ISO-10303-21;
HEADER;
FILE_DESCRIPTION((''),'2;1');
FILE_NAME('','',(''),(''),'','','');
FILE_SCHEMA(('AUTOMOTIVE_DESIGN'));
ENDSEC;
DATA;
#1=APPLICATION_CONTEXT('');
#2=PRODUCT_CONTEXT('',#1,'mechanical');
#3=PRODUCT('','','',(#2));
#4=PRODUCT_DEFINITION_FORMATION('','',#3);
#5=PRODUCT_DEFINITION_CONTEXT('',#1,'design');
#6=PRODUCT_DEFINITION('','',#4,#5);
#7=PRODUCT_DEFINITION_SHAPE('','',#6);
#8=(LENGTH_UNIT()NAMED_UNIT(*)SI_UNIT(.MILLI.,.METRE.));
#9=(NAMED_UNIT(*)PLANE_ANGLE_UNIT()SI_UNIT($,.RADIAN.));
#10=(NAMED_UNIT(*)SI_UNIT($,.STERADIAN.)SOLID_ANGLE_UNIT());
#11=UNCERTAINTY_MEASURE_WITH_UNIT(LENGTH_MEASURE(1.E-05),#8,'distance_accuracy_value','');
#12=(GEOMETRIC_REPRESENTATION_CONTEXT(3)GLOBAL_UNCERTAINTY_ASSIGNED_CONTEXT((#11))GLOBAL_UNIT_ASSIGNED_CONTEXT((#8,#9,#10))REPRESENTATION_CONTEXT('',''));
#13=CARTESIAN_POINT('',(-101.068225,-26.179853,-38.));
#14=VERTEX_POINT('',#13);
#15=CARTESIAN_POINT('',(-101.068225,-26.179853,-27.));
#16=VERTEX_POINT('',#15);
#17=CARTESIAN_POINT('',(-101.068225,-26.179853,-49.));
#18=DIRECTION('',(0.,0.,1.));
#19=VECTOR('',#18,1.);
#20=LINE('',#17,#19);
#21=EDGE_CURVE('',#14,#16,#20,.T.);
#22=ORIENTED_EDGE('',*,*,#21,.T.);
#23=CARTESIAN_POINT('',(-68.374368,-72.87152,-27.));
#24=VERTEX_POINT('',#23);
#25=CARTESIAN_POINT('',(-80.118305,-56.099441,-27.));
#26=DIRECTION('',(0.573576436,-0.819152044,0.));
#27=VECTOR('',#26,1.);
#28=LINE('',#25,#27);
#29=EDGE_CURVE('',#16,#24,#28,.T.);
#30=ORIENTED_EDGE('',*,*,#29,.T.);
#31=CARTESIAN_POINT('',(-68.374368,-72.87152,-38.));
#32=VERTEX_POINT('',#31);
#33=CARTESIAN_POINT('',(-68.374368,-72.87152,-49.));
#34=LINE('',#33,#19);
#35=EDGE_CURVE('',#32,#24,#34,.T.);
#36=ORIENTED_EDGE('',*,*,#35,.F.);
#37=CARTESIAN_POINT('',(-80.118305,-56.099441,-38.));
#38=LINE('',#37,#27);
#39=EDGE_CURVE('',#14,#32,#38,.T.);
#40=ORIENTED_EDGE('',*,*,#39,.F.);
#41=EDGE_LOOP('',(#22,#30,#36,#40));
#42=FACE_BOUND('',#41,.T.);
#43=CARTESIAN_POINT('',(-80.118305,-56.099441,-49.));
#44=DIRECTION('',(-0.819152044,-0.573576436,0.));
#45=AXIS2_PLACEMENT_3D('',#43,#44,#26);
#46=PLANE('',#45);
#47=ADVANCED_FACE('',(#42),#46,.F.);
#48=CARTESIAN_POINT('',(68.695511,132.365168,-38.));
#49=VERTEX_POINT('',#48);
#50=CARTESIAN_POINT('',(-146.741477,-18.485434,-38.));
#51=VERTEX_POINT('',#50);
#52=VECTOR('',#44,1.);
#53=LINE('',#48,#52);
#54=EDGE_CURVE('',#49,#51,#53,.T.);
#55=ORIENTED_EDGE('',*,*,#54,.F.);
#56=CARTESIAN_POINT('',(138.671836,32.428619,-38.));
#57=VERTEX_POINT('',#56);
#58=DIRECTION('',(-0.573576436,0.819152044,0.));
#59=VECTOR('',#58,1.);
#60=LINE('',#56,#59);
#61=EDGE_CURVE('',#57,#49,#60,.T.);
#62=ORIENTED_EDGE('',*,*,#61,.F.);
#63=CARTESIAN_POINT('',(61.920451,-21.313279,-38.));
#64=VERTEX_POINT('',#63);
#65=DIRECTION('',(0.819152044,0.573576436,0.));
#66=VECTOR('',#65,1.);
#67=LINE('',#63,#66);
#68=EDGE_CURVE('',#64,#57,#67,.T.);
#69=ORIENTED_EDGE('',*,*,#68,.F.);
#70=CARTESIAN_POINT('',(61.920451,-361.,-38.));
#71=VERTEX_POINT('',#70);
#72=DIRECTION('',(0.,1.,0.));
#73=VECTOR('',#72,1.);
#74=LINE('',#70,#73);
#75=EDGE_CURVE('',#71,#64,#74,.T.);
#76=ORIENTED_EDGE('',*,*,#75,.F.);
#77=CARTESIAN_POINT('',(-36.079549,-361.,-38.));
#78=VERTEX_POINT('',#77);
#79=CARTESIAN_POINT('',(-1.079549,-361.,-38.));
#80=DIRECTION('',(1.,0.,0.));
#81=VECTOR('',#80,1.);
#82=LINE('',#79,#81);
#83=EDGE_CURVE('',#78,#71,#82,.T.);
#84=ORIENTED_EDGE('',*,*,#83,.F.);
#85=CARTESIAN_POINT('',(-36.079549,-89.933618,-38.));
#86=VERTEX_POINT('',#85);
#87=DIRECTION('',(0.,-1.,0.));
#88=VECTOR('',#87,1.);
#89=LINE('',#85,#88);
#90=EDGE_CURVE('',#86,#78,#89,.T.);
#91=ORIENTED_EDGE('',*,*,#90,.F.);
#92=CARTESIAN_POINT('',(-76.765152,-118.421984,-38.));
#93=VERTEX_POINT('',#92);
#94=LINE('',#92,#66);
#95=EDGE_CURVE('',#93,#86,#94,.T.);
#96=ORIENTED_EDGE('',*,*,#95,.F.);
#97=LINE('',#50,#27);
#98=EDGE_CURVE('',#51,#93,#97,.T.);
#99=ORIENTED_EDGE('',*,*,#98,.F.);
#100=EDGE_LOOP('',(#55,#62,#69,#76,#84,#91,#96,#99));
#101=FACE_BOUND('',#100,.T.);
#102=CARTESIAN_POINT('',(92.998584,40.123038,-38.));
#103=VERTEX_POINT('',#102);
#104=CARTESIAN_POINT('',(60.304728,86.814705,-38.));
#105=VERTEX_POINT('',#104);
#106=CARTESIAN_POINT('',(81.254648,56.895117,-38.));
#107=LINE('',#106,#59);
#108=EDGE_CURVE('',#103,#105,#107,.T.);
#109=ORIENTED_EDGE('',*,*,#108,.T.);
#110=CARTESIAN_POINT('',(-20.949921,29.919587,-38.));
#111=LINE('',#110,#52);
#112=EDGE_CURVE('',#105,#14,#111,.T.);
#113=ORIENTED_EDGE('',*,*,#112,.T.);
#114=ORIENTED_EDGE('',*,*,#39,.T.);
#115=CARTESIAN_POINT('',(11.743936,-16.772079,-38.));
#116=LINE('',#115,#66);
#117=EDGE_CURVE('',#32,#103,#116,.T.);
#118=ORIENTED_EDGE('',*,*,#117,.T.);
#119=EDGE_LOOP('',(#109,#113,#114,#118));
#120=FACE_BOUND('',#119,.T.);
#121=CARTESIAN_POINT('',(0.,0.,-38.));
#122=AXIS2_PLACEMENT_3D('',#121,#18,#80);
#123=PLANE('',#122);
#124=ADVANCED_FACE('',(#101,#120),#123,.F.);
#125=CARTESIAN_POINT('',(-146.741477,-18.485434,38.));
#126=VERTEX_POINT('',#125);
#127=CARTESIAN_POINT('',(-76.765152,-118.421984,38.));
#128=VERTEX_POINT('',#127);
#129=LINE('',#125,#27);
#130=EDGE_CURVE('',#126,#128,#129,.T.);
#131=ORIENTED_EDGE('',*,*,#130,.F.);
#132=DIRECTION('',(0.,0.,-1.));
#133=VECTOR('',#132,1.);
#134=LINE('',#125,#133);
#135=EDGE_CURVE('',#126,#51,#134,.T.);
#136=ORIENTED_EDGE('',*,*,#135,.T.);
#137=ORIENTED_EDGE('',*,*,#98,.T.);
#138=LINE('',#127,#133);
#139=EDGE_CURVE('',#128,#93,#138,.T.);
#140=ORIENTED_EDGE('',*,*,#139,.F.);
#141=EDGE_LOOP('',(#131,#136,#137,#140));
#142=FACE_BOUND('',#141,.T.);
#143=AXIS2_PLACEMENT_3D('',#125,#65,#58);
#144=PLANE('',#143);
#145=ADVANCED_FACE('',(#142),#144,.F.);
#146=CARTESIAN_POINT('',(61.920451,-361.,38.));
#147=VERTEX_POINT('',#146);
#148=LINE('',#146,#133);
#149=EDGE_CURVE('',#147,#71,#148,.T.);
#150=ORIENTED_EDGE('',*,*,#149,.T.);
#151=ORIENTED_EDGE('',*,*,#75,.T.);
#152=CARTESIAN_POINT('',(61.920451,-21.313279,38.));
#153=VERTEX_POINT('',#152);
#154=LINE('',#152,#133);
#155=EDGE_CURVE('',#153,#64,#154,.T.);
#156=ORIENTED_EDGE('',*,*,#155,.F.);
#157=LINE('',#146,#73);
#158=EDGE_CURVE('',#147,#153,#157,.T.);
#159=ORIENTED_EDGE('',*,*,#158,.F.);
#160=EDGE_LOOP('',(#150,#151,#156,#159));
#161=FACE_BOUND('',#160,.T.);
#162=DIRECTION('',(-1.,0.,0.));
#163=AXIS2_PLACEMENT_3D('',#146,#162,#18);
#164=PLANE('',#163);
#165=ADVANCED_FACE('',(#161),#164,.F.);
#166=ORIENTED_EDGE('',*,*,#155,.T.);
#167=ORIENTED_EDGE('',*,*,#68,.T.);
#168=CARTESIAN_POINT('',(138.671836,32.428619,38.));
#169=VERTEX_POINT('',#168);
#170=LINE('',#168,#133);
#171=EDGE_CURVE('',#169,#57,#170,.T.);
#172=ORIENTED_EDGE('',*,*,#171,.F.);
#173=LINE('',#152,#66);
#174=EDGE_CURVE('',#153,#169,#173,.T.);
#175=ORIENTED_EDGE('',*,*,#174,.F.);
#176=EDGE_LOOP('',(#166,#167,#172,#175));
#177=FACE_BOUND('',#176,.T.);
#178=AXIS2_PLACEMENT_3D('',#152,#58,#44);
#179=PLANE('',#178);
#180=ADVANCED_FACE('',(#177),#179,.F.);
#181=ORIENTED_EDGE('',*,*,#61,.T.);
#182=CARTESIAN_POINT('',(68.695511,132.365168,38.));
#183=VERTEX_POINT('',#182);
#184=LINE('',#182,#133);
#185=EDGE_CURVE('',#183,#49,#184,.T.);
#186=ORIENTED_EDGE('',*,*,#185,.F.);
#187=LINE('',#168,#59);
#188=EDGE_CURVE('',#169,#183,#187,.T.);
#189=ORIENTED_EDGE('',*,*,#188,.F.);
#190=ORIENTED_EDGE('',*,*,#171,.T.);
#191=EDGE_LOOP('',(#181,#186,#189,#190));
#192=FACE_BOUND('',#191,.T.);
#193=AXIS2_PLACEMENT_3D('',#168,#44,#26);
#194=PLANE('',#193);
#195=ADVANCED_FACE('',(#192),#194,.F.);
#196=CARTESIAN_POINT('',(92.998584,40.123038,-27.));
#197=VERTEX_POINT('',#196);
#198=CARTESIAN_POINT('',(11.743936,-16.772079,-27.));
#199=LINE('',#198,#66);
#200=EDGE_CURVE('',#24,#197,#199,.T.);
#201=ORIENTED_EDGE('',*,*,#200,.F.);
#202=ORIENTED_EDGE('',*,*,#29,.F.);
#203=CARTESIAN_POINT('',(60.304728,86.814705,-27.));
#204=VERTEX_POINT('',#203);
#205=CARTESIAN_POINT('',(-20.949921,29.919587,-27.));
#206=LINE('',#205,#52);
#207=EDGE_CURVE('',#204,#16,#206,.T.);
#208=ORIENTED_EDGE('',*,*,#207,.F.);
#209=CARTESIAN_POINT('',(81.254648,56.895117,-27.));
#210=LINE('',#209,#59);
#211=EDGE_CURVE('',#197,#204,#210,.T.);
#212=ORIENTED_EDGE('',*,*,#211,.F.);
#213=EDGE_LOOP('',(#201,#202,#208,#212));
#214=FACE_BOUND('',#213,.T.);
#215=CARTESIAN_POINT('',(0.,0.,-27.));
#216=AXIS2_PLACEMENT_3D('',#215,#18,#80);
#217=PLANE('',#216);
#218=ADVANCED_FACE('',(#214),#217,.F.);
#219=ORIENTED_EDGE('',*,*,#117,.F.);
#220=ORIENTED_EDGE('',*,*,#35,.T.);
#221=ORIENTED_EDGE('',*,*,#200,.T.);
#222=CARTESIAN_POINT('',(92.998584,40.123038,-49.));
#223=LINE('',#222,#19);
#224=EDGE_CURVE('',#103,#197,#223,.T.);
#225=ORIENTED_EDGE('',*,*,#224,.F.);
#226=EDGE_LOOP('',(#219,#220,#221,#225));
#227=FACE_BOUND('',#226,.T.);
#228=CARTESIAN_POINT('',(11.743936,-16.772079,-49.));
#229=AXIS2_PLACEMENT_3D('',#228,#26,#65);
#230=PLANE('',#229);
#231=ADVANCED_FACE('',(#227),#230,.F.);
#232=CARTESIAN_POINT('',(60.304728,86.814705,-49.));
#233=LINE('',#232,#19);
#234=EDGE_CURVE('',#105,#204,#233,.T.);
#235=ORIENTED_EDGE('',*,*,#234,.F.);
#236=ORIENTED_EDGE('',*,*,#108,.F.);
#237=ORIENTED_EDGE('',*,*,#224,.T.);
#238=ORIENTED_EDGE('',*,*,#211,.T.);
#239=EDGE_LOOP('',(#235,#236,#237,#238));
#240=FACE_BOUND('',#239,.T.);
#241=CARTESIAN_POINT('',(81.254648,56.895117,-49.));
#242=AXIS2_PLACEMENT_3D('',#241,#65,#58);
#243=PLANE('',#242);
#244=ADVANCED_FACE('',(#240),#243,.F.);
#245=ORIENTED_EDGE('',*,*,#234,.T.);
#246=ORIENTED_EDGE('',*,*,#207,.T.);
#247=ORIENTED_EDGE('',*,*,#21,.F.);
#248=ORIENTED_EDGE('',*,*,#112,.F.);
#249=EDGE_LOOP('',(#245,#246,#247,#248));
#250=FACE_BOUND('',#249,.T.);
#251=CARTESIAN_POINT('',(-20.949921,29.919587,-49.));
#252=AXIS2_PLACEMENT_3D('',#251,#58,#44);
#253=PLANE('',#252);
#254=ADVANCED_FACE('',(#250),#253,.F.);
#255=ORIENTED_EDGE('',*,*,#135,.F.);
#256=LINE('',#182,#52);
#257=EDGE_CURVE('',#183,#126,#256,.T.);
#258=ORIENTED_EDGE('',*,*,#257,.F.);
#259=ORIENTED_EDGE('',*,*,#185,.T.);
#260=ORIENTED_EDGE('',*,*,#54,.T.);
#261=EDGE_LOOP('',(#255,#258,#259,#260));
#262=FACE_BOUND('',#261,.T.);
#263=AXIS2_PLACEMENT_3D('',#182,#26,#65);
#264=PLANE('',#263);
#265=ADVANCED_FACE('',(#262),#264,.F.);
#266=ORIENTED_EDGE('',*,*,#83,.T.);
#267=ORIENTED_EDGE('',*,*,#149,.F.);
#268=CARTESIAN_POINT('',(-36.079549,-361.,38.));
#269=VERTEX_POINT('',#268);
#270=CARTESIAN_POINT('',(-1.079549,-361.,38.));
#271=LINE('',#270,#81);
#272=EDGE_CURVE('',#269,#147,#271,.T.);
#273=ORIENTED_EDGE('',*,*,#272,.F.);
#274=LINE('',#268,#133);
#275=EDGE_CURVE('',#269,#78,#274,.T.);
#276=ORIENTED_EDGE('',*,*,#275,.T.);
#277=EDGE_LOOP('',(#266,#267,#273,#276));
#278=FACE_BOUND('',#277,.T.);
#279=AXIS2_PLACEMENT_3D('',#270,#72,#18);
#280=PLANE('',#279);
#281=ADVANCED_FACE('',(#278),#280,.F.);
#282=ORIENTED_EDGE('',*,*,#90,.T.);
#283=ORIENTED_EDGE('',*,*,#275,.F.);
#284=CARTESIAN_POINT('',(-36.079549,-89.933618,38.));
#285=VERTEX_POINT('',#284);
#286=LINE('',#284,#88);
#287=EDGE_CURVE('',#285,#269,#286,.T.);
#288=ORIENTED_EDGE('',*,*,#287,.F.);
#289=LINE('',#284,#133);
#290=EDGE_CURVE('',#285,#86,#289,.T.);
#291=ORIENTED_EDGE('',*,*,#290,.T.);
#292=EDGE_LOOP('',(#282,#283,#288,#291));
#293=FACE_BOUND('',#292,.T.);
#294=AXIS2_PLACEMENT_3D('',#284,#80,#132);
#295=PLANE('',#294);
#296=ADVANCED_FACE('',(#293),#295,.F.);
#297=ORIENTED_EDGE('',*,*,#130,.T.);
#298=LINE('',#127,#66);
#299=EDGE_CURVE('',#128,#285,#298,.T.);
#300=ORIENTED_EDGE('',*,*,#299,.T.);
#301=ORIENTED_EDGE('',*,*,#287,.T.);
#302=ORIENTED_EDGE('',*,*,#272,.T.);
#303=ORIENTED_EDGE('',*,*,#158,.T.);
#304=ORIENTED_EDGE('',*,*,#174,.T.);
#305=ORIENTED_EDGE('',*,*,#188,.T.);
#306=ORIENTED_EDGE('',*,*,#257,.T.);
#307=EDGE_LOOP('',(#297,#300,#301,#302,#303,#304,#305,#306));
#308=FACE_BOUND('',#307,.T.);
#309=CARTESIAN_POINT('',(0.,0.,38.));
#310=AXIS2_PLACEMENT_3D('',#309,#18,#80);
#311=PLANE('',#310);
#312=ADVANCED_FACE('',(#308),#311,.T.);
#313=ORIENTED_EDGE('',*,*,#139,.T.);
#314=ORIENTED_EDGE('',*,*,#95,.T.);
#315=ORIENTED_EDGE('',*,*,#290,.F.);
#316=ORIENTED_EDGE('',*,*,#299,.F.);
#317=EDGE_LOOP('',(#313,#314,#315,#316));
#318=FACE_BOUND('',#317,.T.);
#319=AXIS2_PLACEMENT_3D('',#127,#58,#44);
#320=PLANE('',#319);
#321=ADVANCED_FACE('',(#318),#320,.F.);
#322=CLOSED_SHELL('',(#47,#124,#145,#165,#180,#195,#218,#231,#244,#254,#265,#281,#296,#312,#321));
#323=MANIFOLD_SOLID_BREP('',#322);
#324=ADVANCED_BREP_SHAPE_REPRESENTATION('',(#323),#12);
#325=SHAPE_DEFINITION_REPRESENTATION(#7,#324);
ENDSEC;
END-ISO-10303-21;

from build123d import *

# Parameters (mm, degrees)
SALIENTE_EXTRUIR1_DEPTH = 38
CORTAR_EXTRUIR4_START   = -38
CORTAR_EXTRUIR4_DEPTH   = 11


with BuildPart() as part:
    # Croquis1 → Saliente-Extruir1 (new, symmetric)
    with BuildSketch(Plane.XY):
        Polygon((-1.079549163, -361), (61.920450837, -361), (61.920450837, -21.313279486), (138.671836045, 32.428619004), (68.69551081, 132.365168408), (-146.741476838, -18.485434353), (-76.765151603, -118.421983756), (-36.079549163, -89.933618231), (-36.079549163, -361), align=None)
    extrude(amount=SALIENTE_EXTRUIR1_DEPTH, both=True)

    # Croquis2 → Cortar-Extruir4 (cut, symmetric)
    with BuildSketch(Plane.XY.offset(CORTAR_EXTRUIR4_START)):
        Polygon((-101.068225195, -26.179853393), (-68.374368323, -72.871519917), (92.998584402, 40.123038044), (60.30472753, 86.814704569), align=None)
    extrude(amount=CORTAR_EXTRUIR4_DEPTH, both=True, mode=Mode.SUBTRACT)


solid = part.part
